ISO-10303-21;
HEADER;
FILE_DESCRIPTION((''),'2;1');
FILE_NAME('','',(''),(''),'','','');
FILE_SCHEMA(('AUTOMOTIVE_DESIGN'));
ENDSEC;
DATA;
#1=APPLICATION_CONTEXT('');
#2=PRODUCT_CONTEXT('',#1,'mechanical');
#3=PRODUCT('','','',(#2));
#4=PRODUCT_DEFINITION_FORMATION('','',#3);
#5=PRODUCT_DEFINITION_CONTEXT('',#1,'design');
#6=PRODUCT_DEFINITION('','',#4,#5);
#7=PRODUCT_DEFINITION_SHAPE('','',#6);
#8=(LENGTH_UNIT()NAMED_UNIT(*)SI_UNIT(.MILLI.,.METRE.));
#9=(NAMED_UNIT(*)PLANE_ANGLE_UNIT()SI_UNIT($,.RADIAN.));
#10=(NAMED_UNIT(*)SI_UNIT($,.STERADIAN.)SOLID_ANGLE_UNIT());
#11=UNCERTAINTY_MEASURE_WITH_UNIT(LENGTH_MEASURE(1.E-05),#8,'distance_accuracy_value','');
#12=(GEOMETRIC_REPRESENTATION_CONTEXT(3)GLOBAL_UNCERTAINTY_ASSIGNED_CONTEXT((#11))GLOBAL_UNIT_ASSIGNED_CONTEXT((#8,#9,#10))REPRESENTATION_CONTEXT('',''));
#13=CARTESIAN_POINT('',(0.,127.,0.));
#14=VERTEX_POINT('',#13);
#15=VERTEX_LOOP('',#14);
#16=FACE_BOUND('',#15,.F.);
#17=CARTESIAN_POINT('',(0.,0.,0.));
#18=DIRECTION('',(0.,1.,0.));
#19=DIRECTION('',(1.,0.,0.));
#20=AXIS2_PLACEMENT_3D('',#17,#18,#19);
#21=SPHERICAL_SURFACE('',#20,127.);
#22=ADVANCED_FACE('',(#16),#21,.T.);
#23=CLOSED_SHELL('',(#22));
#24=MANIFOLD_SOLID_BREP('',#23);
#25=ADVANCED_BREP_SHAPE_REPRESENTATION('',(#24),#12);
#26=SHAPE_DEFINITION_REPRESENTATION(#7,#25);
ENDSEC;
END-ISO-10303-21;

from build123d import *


with BuildPart() as part:
    # Sketch1 → Revolve1 (revolve)
    with BuildSketch(Plane.XY):
        with BuildLine():
            Line((0, 127), (0, -127))
            ThreePointArc((0, -127), (127, 0), (0, 127))
        make_face()
    revolve(axis=Axis((0, 127, 0), (0, -1, 0)))


solid = part.part
